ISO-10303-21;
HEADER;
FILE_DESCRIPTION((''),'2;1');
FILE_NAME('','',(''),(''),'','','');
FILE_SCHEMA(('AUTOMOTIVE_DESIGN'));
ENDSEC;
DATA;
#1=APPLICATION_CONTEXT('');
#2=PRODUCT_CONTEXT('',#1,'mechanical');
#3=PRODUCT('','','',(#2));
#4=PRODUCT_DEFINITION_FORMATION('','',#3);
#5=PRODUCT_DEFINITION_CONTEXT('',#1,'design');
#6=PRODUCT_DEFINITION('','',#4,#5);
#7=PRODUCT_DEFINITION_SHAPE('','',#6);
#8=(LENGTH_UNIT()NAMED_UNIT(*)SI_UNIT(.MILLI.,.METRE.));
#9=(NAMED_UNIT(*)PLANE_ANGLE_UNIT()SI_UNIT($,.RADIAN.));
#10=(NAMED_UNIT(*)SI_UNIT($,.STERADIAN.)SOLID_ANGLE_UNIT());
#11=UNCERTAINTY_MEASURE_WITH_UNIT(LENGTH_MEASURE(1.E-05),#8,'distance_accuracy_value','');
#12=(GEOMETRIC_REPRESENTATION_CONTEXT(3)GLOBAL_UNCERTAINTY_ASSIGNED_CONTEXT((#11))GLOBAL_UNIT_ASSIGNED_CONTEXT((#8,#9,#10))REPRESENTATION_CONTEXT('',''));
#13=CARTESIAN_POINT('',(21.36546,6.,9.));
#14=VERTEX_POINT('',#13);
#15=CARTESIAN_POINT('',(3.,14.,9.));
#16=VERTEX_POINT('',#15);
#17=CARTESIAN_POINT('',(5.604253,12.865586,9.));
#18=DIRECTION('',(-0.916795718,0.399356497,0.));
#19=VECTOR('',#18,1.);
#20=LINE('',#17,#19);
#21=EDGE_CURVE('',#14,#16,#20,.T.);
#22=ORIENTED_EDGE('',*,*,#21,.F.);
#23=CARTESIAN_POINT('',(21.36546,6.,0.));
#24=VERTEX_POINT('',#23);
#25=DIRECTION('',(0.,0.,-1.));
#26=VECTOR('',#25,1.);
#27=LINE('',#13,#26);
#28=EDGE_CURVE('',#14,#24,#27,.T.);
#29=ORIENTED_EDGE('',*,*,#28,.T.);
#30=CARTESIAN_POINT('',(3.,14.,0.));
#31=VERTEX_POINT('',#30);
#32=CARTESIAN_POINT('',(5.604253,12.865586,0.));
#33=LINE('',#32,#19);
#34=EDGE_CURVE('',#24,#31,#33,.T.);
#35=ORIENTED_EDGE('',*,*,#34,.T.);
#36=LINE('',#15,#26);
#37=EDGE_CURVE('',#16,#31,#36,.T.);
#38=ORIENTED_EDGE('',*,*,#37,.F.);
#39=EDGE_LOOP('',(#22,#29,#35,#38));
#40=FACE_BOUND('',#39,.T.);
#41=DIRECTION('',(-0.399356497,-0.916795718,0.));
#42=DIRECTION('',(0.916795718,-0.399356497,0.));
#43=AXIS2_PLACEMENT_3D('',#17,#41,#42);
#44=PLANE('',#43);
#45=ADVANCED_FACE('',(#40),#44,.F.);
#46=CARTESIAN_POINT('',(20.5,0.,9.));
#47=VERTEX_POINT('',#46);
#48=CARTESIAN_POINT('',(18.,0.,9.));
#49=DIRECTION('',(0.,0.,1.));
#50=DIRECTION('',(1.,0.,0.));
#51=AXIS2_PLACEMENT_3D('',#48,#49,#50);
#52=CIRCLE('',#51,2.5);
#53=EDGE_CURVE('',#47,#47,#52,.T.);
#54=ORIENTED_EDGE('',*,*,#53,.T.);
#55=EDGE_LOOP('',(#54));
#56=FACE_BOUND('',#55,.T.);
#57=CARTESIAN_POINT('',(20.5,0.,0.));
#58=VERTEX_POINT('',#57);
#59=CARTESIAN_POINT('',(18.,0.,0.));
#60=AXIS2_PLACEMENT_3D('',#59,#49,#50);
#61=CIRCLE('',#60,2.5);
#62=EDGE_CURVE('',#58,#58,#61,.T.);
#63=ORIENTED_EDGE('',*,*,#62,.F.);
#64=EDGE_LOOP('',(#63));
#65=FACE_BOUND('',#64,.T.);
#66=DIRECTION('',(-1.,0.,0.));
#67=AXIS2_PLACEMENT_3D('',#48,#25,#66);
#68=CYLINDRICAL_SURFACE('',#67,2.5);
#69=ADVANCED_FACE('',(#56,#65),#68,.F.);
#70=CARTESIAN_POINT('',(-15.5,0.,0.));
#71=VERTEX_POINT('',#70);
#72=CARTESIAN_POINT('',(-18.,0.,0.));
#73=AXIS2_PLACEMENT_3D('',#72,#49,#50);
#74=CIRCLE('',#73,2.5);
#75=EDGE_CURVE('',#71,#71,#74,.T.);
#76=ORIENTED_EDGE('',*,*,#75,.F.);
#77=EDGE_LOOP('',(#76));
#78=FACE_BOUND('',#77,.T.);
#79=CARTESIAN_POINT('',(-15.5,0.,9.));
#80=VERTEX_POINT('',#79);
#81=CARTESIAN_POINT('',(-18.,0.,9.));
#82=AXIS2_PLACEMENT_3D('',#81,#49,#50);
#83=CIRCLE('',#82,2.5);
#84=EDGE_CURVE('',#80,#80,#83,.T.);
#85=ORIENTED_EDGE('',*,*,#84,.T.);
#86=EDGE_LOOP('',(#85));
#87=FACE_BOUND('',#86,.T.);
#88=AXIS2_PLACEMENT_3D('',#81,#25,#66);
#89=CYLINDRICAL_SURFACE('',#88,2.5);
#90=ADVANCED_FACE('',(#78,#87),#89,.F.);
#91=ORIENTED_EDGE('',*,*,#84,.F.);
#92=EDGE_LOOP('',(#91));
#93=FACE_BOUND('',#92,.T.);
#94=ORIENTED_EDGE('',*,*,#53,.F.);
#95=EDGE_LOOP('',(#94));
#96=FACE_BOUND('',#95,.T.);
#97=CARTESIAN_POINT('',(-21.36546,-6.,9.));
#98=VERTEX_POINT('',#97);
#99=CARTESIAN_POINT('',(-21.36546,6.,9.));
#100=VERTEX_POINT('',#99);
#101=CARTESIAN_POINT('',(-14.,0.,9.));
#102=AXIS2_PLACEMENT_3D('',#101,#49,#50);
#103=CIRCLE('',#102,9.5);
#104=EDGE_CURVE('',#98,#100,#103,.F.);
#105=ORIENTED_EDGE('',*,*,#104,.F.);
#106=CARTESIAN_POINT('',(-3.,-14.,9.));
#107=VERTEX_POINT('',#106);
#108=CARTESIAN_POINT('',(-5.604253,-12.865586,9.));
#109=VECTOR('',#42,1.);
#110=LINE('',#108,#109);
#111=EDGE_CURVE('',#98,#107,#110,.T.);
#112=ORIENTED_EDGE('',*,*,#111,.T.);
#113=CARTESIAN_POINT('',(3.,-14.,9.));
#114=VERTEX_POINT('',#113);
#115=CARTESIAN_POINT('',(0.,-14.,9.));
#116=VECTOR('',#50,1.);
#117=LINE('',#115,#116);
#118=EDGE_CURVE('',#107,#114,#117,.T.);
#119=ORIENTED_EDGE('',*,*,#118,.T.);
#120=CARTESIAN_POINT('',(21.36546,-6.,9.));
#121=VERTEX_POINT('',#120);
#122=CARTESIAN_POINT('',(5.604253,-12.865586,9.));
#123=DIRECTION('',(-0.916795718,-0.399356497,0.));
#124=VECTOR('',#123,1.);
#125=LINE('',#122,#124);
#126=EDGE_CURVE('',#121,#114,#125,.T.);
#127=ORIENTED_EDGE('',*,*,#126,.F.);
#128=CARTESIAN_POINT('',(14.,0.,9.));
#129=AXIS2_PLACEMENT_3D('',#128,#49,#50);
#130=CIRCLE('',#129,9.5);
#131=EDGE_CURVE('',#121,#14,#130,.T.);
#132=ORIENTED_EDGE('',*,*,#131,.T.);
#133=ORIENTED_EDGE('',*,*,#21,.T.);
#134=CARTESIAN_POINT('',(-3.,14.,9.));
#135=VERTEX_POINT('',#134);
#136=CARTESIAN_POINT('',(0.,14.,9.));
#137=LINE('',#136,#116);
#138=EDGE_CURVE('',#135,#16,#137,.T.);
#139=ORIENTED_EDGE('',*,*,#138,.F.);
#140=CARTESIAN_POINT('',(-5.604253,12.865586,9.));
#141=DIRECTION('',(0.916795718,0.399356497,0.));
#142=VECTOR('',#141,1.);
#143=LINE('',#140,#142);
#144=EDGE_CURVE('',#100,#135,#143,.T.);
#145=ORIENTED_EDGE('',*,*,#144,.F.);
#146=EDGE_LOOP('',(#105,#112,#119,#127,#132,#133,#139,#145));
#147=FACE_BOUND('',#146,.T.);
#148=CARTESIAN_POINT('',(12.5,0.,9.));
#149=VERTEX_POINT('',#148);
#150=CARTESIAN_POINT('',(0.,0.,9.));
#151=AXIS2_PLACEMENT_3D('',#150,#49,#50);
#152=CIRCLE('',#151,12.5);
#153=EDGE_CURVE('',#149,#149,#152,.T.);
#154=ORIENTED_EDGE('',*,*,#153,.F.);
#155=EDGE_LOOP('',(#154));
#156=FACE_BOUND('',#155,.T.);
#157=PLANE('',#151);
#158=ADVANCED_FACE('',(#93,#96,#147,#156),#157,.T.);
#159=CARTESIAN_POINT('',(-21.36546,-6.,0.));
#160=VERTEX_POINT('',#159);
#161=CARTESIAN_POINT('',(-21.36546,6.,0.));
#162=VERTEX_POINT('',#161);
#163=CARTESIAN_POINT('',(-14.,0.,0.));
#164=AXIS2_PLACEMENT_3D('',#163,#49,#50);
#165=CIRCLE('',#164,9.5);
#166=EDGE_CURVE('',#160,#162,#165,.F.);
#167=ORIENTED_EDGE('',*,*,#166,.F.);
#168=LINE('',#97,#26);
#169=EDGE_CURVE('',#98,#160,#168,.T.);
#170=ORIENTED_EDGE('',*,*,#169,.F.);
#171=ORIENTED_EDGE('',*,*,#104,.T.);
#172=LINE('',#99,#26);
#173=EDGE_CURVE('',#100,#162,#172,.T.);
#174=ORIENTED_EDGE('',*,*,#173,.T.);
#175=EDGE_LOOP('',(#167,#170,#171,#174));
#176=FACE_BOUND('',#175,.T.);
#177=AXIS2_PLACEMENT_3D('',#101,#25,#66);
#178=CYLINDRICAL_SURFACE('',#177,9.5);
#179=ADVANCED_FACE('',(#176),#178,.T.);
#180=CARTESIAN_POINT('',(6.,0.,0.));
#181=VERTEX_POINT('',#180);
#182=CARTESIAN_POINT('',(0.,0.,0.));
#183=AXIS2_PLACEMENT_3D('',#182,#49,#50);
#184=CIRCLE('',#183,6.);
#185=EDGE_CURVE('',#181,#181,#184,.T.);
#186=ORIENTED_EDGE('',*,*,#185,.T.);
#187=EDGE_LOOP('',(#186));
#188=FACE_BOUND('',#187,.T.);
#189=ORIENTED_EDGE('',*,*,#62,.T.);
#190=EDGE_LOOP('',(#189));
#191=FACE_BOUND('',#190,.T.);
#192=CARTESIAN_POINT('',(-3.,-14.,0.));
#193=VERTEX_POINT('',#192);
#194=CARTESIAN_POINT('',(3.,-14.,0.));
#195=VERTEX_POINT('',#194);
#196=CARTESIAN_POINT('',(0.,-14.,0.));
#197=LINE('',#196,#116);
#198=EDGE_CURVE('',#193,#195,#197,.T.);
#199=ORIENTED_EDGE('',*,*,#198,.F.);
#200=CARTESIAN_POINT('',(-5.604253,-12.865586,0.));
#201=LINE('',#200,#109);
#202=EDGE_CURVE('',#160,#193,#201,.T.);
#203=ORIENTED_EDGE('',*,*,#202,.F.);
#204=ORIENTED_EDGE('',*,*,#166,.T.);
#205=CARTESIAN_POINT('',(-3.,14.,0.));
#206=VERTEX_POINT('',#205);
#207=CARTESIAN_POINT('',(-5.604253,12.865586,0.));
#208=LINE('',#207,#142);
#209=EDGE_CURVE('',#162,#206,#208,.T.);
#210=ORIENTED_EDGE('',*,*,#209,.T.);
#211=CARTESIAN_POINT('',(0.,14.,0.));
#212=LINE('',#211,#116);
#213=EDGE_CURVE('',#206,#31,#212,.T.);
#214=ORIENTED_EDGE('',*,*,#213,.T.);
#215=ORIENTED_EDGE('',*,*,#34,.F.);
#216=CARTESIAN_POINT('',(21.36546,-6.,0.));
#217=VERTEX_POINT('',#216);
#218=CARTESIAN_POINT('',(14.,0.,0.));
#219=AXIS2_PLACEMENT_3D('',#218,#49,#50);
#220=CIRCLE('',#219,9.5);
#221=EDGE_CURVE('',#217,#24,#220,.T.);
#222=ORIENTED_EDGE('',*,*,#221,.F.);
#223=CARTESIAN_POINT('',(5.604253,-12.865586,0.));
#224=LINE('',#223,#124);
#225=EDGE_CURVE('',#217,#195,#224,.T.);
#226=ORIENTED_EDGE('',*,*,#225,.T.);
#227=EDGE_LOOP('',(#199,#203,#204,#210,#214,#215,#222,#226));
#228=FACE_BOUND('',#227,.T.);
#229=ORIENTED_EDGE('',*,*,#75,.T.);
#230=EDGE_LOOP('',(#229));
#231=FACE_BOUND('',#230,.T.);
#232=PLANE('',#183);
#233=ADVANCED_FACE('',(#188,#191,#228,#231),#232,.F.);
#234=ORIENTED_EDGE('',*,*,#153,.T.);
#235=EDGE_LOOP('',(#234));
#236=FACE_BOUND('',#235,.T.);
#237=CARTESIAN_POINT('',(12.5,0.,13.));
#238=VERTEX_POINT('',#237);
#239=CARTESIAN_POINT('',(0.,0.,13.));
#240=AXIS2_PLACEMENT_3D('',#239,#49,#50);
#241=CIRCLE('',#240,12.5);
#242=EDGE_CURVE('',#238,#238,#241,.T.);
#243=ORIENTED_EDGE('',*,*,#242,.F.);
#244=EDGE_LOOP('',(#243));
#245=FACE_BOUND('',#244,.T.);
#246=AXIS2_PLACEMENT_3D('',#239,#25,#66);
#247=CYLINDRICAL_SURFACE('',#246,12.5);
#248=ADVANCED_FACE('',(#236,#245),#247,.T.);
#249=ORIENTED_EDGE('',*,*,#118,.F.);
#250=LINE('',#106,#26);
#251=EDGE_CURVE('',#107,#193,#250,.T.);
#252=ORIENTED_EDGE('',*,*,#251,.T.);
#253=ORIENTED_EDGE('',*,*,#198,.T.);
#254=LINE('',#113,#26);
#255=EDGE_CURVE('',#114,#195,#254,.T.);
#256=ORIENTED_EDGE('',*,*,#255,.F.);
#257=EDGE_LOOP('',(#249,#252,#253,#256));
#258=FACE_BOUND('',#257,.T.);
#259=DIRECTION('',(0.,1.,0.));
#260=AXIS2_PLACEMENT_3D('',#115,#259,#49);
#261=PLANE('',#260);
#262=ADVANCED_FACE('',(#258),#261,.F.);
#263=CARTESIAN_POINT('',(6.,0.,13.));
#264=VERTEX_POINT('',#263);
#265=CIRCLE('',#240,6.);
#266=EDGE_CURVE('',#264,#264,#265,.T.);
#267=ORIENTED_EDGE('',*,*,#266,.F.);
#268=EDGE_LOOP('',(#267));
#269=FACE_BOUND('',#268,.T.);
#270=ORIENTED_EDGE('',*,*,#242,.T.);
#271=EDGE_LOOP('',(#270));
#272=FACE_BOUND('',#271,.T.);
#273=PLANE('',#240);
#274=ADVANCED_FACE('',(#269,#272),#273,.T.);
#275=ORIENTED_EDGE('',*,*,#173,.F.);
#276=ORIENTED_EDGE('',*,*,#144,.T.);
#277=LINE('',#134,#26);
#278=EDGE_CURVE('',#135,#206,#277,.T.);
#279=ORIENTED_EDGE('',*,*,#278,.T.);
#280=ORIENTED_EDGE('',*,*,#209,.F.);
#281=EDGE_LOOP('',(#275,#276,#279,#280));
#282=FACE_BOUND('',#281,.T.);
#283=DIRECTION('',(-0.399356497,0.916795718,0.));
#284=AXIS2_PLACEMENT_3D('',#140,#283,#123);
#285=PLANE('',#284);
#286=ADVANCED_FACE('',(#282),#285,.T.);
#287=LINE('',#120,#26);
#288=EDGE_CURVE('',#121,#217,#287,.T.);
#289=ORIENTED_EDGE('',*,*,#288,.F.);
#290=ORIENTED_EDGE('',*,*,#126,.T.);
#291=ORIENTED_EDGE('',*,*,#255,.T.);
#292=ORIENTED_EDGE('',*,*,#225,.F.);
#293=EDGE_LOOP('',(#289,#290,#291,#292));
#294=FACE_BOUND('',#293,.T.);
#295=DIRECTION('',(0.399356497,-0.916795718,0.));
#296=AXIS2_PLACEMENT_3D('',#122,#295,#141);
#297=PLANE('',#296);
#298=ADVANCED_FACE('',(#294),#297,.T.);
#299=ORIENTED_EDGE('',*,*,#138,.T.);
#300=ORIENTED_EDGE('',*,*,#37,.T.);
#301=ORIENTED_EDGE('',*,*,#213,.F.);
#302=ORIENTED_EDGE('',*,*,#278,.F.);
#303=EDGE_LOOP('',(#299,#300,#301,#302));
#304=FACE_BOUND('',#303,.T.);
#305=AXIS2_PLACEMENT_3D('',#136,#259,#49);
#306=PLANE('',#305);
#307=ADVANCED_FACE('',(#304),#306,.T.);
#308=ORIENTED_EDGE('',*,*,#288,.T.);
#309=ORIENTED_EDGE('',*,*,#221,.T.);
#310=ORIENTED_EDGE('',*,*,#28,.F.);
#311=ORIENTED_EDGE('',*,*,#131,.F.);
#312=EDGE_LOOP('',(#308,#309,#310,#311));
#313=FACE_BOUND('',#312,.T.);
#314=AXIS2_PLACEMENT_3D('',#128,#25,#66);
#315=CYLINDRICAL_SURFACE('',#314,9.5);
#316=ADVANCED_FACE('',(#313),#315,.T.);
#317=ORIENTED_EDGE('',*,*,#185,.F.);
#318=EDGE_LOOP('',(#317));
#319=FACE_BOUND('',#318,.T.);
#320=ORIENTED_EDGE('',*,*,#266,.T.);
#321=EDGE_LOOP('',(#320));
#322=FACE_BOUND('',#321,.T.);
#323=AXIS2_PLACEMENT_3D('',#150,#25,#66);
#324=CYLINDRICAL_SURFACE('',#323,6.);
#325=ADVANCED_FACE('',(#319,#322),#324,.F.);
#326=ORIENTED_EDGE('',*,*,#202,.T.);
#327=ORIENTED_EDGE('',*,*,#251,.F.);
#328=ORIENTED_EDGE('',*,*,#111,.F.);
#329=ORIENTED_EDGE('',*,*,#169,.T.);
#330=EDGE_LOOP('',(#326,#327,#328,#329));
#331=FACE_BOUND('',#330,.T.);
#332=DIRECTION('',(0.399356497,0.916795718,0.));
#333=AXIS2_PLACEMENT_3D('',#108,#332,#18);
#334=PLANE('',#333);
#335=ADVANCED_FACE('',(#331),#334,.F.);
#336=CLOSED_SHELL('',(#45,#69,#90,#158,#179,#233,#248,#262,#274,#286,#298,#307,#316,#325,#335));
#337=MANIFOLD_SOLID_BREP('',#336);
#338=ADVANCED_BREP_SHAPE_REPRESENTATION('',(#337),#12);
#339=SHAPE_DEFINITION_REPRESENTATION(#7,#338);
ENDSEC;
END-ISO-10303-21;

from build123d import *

# Parameters (mm, degrees)
SKETCH1_R           = 2.5
SKETCH1_R_2         = 6
BOSS_EXTRUDE1_DEPTH = 9
SKETCH2_R           = 12.5
SKETCH2_R_2         = 6
BOSS_EXTRUDE2_DEPTH = 4


with BuildPart() as part:
    # Sketch1 → Boss-Extrude1 (new body)
    with BuildSketch(Plane.XY):
        with BuildLine():
            Line((21.365459931, -6), (3, -14))
            Line((3, -14), (-3, -14))
            Line((-3, -14), (-21.365459931, -6))
            ThreePointArc((-21.365459931, -6), (-23.5, 0), (-21.365459931, 6))
            Line((-21.365459931, 6), (-3, 14))
            Line((-3, 14), (3, 14))
            Line((3, 14), (21.365459931, 6))
            ThreePointArc((21.365459931, 6), (23.5, 0), (21.365459931, -6))
        make_face()
        with Locations((-18, 0)):
            Circle(SKETCH1_R, mode=Mode.SUBTRACT)
        with Locations((18, 0)):
            Circle(SKETCH1_R, mode=Mode.SUBTRACT)
        Circle(SKETCH1_R_2, mode=Mode.SUBTRACT)
    extrude(amount=BOSS_EXTRUDE1_DEPTH)

    # Sketch2 → Boss-Extrude2 (add)
    with BuildSketch(Plane.XY.offset(9)):
        Circle(SKETCH2_R)
        Circle(SKETCH2_R_2, mode=Mode.SUBTRACT)
    extrude(amount=BOSS_EXTRUDE2_DEPTH)


solid = part.part
